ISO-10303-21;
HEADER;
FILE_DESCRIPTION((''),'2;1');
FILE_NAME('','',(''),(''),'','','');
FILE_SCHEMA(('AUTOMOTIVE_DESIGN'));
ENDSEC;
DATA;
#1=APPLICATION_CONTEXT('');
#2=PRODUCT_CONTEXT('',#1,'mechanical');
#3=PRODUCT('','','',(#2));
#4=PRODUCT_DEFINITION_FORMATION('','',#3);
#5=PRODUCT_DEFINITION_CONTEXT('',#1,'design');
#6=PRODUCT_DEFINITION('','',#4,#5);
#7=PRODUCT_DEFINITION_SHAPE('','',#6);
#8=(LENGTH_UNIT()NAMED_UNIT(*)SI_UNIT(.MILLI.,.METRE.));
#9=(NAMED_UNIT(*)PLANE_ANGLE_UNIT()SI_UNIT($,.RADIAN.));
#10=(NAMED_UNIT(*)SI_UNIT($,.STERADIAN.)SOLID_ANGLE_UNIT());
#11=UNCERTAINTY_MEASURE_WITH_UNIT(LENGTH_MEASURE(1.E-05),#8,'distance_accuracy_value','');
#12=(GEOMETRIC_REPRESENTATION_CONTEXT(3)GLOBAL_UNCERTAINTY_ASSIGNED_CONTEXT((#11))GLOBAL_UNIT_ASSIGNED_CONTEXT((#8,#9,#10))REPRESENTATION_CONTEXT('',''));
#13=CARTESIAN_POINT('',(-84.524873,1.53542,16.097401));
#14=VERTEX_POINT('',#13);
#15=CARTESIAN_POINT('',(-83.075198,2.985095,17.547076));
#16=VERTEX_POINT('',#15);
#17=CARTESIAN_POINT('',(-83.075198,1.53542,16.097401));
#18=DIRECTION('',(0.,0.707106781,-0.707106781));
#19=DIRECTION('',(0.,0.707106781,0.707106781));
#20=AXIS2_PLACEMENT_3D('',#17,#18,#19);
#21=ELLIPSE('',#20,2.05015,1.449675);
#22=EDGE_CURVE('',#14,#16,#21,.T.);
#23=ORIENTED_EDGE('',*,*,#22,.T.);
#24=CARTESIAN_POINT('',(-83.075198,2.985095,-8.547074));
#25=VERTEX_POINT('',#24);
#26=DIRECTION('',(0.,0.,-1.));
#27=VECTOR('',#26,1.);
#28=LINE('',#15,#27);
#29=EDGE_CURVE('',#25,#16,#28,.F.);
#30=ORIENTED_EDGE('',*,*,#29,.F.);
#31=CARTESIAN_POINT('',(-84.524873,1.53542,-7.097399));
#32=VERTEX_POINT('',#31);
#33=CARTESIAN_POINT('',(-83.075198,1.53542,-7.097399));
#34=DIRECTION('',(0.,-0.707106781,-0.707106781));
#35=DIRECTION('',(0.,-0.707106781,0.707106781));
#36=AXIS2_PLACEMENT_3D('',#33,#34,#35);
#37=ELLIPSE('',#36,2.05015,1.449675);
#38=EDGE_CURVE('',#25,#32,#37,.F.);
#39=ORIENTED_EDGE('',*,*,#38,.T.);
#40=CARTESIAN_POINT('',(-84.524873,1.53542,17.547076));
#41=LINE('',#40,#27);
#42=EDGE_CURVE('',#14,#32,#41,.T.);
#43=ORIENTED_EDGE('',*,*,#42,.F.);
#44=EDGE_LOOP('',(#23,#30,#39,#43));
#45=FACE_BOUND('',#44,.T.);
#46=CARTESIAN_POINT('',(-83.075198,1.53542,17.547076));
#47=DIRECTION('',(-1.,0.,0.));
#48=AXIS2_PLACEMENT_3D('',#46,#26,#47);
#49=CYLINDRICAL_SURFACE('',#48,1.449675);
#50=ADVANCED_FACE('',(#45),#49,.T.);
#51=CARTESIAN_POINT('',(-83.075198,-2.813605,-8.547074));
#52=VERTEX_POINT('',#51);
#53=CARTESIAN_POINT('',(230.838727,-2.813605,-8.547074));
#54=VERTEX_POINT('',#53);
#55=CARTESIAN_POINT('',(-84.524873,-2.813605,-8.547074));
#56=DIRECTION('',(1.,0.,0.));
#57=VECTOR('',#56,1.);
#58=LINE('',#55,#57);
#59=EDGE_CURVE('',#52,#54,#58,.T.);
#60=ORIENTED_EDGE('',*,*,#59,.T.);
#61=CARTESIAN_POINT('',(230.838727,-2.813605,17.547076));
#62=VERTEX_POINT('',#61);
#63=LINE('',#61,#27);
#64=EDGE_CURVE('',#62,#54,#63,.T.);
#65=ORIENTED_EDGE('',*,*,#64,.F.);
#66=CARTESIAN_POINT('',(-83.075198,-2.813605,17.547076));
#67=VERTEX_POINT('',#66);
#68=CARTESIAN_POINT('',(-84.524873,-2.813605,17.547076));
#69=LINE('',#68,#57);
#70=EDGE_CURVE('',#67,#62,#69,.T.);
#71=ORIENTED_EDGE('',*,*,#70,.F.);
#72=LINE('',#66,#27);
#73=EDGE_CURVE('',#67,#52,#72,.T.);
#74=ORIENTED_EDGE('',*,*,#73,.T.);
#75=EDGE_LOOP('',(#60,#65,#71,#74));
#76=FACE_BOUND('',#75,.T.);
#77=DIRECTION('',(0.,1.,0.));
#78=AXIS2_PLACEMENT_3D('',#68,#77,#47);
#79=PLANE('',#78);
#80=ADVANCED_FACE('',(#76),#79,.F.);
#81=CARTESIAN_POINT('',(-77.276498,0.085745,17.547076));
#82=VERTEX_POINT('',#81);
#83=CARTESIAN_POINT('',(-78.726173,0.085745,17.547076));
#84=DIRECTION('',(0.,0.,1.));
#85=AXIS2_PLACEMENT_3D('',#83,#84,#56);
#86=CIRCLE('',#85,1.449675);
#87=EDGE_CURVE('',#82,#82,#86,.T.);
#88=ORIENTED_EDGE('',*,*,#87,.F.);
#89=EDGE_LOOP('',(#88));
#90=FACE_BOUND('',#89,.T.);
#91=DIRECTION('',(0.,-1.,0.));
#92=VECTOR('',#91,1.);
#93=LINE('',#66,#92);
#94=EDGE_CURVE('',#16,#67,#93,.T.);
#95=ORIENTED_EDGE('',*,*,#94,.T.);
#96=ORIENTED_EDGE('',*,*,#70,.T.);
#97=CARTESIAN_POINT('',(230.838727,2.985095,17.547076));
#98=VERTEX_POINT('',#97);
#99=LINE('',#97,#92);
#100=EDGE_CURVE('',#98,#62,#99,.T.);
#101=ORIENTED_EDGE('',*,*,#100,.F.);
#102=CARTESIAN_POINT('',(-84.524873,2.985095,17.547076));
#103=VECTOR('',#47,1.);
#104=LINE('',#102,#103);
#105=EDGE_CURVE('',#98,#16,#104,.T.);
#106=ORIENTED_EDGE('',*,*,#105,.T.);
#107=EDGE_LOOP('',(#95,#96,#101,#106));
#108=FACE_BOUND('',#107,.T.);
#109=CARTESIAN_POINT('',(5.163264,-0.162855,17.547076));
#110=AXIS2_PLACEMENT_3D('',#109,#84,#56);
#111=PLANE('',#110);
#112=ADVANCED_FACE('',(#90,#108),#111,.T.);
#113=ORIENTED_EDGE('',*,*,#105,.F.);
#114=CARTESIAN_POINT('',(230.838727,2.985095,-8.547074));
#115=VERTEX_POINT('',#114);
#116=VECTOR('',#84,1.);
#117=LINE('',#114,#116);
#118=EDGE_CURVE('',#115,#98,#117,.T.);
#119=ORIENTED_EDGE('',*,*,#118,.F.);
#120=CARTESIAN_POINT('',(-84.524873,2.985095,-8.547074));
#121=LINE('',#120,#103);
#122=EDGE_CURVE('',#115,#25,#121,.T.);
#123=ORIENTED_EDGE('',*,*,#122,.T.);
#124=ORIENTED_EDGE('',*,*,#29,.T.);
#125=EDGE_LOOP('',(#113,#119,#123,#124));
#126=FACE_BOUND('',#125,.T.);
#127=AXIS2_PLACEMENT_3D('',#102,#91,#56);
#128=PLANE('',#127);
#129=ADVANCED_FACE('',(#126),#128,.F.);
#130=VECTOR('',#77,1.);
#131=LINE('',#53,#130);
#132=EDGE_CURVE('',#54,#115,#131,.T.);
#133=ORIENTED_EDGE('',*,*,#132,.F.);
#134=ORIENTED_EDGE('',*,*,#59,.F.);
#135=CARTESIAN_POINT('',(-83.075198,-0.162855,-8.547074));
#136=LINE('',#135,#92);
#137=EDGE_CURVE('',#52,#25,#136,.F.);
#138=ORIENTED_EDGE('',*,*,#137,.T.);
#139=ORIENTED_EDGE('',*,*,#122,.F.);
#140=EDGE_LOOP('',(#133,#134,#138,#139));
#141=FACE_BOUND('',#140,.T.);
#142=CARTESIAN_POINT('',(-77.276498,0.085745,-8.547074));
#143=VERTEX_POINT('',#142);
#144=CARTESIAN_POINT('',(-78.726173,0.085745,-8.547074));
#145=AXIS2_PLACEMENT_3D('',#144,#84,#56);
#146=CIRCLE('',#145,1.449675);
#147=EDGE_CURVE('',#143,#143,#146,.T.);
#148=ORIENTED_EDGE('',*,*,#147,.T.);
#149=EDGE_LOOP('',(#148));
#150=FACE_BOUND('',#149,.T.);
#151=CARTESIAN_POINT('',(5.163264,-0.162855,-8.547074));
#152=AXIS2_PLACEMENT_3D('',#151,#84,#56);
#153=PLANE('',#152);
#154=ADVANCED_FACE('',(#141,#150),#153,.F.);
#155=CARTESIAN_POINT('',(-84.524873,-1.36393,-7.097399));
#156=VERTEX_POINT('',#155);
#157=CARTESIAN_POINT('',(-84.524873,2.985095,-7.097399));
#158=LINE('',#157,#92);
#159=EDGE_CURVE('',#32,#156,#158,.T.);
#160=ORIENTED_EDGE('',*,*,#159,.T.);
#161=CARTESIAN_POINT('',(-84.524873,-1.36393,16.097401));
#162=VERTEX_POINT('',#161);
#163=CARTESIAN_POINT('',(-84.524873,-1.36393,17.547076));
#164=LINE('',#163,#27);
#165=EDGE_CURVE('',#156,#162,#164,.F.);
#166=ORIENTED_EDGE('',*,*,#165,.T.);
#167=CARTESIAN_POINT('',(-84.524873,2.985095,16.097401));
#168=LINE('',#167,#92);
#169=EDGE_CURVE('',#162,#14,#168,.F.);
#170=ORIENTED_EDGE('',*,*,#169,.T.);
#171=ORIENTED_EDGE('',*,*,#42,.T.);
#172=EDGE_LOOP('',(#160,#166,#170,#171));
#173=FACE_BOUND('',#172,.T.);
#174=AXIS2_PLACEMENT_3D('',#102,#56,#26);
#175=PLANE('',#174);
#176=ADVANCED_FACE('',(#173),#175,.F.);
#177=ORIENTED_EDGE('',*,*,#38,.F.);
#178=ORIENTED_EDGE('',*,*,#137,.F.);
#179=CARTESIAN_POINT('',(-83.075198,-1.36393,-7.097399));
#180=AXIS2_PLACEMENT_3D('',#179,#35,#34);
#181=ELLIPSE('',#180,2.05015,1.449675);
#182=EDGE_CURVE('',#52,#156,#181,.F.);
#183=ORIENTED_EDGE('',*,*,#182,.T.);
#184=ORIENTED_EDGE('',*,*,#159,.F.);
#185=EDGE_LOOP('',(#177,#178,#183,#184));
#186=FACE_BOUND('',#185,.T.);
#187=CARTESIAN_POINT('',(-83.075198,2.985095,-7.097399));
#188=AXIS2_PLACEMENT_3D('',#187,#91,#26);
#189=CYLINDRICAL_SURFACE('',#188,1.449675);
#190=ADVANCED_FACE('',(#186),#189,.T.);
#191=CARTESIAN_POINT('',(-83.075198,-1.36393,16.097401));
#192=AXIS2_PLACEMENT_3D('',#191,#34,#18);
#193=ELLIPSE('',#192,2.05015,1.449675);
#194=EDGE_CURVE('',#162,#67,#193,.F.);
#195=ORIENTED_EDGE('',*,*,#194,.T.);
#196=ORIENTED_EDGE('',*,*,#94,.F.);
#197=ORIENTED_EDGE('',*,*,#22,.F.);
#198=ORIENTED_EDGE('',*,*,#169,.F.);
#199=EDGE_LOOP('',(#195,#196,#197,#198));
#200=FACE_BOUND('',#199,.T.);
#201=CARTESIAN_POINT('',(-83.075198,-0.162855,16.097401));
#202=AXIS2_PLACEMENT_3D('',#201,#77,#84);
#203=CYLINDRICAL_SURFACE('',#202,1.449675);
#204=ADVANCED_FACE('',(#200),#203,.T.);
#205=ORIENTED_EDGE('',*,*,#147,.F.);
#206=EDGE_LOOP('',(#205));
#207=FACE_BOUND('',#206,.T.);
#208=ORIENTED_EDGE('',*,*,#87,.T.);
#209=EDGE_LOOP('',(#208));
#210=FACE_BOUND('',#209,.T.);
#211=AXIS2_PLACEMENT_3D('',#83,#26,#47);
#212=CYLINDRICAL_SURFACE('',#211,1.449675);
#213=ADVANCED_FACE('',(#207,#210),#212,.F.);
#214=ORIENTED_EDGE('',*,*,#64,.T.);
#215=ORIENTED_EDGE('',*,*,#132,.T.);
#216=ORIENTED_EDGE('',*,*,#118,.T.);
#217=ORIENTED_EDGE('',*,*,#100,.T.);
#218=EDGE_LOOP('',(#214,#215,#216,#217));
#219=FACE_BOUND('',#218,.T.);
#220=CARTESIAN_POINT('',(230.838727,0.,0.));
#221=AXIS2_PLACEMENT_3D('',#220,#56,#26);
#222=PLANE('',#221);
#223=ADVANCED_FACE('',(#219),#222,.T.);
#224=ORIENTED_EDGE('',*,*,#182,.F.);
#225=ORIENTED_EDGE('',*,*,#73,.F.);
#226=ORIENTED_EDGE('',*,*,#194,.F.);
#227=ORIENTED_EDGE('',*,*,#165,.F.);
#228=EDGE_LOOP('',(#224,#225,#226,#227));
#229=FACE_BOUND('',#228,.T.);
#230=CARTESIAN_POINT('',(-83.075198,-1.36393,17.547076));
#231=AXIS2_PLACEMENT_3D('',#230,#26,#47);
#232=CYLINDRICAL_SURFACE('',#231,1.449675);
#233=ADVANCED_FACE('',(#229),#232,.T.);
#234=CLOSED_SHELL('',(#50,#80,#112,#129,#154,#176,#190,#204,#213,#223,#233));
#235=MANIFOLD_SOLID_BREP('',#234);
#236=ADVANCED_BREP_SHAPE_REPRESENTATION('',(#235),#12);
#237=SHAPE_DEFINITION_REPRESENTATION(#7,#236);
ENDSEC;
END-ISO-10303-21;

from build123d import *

# Parameters (mm, degrees)
SKETCH1_W           = 51
SKETCH1_H           = 2
SKETCH1_R           = 0.5
BOSS_EXTRUDE1_DEPTH = 9
FILLET2_R           = 0.5
SKETCH2_W           = 9
SKETCH2_H           = 2
BOSS_EXTRUDE2_DEPTH = 5
SCALE1_SCALE        = 1.9329
SCALE2_SCALE        = 1.5
SKETCH4_W           = 26.09415
SKETCH4_H           = 5.7987
BOSS_EXTRUDE3_DEPTH = 130
SKETCH5_W           = 26.09415
SKETCH5_H           = 5.7987
BOSS_EXTRUDE4_DEPTH = 23


with BuildPart() as part:
    # Sketch1 → Boss-Extrude1 (new body)
    with BuildSketch(Plane.XY):
        with Locations((-5.433877133, 0.085743345)):
            Rectangle(SKETCH1_W, SKETCH1_H)
        with Locations((-28.933877133, 0.085743345)):
            Circle(SKETCH1_R, mode=Mode.SUBTRACT)
    extrude(amount=BOSS_EXTRUDE1_DEPTH)

    # Fillet2
    fillet2_edges = [part.edges().sort_by_distance(p)[0] for p in [
        (-30.933877133, 0.085743345, 9),
        (-30.933877133, 0.085743345, 0),
        (-30.933877133, 1.085743345, 4.5),
        (-30.933877133, -0.914256655, 4.5),
    ]]
    fillet(fillet2_edges, radius=FILLET2_R)

    # Sketch2 → Boss-Extrude2 (add)
    with BuildSketch(Plane(origin=(20.066122867, 0, 0), x_dir=(0, 0, -1), z_dir=(1, 0, 0))):
        with Locations((-4.5, 0.085743345)):
            Rectangle(SKETCH2_W, SKETCH2_H)
    extrude(amount=BOSS_EXTRUDE2_DEPTH)


with BuildPart() as part_1:
    # Scale1: scaled about (-2.718472865, 0.085743345, 4.5)
    add(part.part.scale(SCALE1_SCALE).moved(Location((2.536063336, -0.079989967, -4.19805))))


with BuildPart() as part_2:
    # Scale2: scaled about (-2.718472864, 0.085743345, 4.5)
    add(part_1.part.scale(SCALE2_SCALE).moved(Location((1.359236432, -0.042871672, -2.25))))

    # Sketch4 → Boss-Extrude3 (add)
    with BuildSketch(Plane(origin=(77.83872718, 0, 0), x_dir=(0, 0, -1), z_dir=(1, 0, 0))):
        with Locations((-4.500001066, 0.085744554)):
            Rectangle(SKETCH4_W, SKETCH4_H)
    extrude(amount=BOSS_EXTRUDE3_DEPTH)

    # Sketch5 → Boss-Extrude4 (add)
    with BuildSketch(Plane(origin=(207.83872718, 0, 0), x_dir=(0, 0, -1), z_dir=(1, 0, 0))):
        with Locations((-4.500001066, 0.085744554)):
            Rectangle(SKETCH5_W, SKETCH5_H)
    extrude(amount=BOSS_EXTRUDE4_DEPTH)


solid = part_2.part
